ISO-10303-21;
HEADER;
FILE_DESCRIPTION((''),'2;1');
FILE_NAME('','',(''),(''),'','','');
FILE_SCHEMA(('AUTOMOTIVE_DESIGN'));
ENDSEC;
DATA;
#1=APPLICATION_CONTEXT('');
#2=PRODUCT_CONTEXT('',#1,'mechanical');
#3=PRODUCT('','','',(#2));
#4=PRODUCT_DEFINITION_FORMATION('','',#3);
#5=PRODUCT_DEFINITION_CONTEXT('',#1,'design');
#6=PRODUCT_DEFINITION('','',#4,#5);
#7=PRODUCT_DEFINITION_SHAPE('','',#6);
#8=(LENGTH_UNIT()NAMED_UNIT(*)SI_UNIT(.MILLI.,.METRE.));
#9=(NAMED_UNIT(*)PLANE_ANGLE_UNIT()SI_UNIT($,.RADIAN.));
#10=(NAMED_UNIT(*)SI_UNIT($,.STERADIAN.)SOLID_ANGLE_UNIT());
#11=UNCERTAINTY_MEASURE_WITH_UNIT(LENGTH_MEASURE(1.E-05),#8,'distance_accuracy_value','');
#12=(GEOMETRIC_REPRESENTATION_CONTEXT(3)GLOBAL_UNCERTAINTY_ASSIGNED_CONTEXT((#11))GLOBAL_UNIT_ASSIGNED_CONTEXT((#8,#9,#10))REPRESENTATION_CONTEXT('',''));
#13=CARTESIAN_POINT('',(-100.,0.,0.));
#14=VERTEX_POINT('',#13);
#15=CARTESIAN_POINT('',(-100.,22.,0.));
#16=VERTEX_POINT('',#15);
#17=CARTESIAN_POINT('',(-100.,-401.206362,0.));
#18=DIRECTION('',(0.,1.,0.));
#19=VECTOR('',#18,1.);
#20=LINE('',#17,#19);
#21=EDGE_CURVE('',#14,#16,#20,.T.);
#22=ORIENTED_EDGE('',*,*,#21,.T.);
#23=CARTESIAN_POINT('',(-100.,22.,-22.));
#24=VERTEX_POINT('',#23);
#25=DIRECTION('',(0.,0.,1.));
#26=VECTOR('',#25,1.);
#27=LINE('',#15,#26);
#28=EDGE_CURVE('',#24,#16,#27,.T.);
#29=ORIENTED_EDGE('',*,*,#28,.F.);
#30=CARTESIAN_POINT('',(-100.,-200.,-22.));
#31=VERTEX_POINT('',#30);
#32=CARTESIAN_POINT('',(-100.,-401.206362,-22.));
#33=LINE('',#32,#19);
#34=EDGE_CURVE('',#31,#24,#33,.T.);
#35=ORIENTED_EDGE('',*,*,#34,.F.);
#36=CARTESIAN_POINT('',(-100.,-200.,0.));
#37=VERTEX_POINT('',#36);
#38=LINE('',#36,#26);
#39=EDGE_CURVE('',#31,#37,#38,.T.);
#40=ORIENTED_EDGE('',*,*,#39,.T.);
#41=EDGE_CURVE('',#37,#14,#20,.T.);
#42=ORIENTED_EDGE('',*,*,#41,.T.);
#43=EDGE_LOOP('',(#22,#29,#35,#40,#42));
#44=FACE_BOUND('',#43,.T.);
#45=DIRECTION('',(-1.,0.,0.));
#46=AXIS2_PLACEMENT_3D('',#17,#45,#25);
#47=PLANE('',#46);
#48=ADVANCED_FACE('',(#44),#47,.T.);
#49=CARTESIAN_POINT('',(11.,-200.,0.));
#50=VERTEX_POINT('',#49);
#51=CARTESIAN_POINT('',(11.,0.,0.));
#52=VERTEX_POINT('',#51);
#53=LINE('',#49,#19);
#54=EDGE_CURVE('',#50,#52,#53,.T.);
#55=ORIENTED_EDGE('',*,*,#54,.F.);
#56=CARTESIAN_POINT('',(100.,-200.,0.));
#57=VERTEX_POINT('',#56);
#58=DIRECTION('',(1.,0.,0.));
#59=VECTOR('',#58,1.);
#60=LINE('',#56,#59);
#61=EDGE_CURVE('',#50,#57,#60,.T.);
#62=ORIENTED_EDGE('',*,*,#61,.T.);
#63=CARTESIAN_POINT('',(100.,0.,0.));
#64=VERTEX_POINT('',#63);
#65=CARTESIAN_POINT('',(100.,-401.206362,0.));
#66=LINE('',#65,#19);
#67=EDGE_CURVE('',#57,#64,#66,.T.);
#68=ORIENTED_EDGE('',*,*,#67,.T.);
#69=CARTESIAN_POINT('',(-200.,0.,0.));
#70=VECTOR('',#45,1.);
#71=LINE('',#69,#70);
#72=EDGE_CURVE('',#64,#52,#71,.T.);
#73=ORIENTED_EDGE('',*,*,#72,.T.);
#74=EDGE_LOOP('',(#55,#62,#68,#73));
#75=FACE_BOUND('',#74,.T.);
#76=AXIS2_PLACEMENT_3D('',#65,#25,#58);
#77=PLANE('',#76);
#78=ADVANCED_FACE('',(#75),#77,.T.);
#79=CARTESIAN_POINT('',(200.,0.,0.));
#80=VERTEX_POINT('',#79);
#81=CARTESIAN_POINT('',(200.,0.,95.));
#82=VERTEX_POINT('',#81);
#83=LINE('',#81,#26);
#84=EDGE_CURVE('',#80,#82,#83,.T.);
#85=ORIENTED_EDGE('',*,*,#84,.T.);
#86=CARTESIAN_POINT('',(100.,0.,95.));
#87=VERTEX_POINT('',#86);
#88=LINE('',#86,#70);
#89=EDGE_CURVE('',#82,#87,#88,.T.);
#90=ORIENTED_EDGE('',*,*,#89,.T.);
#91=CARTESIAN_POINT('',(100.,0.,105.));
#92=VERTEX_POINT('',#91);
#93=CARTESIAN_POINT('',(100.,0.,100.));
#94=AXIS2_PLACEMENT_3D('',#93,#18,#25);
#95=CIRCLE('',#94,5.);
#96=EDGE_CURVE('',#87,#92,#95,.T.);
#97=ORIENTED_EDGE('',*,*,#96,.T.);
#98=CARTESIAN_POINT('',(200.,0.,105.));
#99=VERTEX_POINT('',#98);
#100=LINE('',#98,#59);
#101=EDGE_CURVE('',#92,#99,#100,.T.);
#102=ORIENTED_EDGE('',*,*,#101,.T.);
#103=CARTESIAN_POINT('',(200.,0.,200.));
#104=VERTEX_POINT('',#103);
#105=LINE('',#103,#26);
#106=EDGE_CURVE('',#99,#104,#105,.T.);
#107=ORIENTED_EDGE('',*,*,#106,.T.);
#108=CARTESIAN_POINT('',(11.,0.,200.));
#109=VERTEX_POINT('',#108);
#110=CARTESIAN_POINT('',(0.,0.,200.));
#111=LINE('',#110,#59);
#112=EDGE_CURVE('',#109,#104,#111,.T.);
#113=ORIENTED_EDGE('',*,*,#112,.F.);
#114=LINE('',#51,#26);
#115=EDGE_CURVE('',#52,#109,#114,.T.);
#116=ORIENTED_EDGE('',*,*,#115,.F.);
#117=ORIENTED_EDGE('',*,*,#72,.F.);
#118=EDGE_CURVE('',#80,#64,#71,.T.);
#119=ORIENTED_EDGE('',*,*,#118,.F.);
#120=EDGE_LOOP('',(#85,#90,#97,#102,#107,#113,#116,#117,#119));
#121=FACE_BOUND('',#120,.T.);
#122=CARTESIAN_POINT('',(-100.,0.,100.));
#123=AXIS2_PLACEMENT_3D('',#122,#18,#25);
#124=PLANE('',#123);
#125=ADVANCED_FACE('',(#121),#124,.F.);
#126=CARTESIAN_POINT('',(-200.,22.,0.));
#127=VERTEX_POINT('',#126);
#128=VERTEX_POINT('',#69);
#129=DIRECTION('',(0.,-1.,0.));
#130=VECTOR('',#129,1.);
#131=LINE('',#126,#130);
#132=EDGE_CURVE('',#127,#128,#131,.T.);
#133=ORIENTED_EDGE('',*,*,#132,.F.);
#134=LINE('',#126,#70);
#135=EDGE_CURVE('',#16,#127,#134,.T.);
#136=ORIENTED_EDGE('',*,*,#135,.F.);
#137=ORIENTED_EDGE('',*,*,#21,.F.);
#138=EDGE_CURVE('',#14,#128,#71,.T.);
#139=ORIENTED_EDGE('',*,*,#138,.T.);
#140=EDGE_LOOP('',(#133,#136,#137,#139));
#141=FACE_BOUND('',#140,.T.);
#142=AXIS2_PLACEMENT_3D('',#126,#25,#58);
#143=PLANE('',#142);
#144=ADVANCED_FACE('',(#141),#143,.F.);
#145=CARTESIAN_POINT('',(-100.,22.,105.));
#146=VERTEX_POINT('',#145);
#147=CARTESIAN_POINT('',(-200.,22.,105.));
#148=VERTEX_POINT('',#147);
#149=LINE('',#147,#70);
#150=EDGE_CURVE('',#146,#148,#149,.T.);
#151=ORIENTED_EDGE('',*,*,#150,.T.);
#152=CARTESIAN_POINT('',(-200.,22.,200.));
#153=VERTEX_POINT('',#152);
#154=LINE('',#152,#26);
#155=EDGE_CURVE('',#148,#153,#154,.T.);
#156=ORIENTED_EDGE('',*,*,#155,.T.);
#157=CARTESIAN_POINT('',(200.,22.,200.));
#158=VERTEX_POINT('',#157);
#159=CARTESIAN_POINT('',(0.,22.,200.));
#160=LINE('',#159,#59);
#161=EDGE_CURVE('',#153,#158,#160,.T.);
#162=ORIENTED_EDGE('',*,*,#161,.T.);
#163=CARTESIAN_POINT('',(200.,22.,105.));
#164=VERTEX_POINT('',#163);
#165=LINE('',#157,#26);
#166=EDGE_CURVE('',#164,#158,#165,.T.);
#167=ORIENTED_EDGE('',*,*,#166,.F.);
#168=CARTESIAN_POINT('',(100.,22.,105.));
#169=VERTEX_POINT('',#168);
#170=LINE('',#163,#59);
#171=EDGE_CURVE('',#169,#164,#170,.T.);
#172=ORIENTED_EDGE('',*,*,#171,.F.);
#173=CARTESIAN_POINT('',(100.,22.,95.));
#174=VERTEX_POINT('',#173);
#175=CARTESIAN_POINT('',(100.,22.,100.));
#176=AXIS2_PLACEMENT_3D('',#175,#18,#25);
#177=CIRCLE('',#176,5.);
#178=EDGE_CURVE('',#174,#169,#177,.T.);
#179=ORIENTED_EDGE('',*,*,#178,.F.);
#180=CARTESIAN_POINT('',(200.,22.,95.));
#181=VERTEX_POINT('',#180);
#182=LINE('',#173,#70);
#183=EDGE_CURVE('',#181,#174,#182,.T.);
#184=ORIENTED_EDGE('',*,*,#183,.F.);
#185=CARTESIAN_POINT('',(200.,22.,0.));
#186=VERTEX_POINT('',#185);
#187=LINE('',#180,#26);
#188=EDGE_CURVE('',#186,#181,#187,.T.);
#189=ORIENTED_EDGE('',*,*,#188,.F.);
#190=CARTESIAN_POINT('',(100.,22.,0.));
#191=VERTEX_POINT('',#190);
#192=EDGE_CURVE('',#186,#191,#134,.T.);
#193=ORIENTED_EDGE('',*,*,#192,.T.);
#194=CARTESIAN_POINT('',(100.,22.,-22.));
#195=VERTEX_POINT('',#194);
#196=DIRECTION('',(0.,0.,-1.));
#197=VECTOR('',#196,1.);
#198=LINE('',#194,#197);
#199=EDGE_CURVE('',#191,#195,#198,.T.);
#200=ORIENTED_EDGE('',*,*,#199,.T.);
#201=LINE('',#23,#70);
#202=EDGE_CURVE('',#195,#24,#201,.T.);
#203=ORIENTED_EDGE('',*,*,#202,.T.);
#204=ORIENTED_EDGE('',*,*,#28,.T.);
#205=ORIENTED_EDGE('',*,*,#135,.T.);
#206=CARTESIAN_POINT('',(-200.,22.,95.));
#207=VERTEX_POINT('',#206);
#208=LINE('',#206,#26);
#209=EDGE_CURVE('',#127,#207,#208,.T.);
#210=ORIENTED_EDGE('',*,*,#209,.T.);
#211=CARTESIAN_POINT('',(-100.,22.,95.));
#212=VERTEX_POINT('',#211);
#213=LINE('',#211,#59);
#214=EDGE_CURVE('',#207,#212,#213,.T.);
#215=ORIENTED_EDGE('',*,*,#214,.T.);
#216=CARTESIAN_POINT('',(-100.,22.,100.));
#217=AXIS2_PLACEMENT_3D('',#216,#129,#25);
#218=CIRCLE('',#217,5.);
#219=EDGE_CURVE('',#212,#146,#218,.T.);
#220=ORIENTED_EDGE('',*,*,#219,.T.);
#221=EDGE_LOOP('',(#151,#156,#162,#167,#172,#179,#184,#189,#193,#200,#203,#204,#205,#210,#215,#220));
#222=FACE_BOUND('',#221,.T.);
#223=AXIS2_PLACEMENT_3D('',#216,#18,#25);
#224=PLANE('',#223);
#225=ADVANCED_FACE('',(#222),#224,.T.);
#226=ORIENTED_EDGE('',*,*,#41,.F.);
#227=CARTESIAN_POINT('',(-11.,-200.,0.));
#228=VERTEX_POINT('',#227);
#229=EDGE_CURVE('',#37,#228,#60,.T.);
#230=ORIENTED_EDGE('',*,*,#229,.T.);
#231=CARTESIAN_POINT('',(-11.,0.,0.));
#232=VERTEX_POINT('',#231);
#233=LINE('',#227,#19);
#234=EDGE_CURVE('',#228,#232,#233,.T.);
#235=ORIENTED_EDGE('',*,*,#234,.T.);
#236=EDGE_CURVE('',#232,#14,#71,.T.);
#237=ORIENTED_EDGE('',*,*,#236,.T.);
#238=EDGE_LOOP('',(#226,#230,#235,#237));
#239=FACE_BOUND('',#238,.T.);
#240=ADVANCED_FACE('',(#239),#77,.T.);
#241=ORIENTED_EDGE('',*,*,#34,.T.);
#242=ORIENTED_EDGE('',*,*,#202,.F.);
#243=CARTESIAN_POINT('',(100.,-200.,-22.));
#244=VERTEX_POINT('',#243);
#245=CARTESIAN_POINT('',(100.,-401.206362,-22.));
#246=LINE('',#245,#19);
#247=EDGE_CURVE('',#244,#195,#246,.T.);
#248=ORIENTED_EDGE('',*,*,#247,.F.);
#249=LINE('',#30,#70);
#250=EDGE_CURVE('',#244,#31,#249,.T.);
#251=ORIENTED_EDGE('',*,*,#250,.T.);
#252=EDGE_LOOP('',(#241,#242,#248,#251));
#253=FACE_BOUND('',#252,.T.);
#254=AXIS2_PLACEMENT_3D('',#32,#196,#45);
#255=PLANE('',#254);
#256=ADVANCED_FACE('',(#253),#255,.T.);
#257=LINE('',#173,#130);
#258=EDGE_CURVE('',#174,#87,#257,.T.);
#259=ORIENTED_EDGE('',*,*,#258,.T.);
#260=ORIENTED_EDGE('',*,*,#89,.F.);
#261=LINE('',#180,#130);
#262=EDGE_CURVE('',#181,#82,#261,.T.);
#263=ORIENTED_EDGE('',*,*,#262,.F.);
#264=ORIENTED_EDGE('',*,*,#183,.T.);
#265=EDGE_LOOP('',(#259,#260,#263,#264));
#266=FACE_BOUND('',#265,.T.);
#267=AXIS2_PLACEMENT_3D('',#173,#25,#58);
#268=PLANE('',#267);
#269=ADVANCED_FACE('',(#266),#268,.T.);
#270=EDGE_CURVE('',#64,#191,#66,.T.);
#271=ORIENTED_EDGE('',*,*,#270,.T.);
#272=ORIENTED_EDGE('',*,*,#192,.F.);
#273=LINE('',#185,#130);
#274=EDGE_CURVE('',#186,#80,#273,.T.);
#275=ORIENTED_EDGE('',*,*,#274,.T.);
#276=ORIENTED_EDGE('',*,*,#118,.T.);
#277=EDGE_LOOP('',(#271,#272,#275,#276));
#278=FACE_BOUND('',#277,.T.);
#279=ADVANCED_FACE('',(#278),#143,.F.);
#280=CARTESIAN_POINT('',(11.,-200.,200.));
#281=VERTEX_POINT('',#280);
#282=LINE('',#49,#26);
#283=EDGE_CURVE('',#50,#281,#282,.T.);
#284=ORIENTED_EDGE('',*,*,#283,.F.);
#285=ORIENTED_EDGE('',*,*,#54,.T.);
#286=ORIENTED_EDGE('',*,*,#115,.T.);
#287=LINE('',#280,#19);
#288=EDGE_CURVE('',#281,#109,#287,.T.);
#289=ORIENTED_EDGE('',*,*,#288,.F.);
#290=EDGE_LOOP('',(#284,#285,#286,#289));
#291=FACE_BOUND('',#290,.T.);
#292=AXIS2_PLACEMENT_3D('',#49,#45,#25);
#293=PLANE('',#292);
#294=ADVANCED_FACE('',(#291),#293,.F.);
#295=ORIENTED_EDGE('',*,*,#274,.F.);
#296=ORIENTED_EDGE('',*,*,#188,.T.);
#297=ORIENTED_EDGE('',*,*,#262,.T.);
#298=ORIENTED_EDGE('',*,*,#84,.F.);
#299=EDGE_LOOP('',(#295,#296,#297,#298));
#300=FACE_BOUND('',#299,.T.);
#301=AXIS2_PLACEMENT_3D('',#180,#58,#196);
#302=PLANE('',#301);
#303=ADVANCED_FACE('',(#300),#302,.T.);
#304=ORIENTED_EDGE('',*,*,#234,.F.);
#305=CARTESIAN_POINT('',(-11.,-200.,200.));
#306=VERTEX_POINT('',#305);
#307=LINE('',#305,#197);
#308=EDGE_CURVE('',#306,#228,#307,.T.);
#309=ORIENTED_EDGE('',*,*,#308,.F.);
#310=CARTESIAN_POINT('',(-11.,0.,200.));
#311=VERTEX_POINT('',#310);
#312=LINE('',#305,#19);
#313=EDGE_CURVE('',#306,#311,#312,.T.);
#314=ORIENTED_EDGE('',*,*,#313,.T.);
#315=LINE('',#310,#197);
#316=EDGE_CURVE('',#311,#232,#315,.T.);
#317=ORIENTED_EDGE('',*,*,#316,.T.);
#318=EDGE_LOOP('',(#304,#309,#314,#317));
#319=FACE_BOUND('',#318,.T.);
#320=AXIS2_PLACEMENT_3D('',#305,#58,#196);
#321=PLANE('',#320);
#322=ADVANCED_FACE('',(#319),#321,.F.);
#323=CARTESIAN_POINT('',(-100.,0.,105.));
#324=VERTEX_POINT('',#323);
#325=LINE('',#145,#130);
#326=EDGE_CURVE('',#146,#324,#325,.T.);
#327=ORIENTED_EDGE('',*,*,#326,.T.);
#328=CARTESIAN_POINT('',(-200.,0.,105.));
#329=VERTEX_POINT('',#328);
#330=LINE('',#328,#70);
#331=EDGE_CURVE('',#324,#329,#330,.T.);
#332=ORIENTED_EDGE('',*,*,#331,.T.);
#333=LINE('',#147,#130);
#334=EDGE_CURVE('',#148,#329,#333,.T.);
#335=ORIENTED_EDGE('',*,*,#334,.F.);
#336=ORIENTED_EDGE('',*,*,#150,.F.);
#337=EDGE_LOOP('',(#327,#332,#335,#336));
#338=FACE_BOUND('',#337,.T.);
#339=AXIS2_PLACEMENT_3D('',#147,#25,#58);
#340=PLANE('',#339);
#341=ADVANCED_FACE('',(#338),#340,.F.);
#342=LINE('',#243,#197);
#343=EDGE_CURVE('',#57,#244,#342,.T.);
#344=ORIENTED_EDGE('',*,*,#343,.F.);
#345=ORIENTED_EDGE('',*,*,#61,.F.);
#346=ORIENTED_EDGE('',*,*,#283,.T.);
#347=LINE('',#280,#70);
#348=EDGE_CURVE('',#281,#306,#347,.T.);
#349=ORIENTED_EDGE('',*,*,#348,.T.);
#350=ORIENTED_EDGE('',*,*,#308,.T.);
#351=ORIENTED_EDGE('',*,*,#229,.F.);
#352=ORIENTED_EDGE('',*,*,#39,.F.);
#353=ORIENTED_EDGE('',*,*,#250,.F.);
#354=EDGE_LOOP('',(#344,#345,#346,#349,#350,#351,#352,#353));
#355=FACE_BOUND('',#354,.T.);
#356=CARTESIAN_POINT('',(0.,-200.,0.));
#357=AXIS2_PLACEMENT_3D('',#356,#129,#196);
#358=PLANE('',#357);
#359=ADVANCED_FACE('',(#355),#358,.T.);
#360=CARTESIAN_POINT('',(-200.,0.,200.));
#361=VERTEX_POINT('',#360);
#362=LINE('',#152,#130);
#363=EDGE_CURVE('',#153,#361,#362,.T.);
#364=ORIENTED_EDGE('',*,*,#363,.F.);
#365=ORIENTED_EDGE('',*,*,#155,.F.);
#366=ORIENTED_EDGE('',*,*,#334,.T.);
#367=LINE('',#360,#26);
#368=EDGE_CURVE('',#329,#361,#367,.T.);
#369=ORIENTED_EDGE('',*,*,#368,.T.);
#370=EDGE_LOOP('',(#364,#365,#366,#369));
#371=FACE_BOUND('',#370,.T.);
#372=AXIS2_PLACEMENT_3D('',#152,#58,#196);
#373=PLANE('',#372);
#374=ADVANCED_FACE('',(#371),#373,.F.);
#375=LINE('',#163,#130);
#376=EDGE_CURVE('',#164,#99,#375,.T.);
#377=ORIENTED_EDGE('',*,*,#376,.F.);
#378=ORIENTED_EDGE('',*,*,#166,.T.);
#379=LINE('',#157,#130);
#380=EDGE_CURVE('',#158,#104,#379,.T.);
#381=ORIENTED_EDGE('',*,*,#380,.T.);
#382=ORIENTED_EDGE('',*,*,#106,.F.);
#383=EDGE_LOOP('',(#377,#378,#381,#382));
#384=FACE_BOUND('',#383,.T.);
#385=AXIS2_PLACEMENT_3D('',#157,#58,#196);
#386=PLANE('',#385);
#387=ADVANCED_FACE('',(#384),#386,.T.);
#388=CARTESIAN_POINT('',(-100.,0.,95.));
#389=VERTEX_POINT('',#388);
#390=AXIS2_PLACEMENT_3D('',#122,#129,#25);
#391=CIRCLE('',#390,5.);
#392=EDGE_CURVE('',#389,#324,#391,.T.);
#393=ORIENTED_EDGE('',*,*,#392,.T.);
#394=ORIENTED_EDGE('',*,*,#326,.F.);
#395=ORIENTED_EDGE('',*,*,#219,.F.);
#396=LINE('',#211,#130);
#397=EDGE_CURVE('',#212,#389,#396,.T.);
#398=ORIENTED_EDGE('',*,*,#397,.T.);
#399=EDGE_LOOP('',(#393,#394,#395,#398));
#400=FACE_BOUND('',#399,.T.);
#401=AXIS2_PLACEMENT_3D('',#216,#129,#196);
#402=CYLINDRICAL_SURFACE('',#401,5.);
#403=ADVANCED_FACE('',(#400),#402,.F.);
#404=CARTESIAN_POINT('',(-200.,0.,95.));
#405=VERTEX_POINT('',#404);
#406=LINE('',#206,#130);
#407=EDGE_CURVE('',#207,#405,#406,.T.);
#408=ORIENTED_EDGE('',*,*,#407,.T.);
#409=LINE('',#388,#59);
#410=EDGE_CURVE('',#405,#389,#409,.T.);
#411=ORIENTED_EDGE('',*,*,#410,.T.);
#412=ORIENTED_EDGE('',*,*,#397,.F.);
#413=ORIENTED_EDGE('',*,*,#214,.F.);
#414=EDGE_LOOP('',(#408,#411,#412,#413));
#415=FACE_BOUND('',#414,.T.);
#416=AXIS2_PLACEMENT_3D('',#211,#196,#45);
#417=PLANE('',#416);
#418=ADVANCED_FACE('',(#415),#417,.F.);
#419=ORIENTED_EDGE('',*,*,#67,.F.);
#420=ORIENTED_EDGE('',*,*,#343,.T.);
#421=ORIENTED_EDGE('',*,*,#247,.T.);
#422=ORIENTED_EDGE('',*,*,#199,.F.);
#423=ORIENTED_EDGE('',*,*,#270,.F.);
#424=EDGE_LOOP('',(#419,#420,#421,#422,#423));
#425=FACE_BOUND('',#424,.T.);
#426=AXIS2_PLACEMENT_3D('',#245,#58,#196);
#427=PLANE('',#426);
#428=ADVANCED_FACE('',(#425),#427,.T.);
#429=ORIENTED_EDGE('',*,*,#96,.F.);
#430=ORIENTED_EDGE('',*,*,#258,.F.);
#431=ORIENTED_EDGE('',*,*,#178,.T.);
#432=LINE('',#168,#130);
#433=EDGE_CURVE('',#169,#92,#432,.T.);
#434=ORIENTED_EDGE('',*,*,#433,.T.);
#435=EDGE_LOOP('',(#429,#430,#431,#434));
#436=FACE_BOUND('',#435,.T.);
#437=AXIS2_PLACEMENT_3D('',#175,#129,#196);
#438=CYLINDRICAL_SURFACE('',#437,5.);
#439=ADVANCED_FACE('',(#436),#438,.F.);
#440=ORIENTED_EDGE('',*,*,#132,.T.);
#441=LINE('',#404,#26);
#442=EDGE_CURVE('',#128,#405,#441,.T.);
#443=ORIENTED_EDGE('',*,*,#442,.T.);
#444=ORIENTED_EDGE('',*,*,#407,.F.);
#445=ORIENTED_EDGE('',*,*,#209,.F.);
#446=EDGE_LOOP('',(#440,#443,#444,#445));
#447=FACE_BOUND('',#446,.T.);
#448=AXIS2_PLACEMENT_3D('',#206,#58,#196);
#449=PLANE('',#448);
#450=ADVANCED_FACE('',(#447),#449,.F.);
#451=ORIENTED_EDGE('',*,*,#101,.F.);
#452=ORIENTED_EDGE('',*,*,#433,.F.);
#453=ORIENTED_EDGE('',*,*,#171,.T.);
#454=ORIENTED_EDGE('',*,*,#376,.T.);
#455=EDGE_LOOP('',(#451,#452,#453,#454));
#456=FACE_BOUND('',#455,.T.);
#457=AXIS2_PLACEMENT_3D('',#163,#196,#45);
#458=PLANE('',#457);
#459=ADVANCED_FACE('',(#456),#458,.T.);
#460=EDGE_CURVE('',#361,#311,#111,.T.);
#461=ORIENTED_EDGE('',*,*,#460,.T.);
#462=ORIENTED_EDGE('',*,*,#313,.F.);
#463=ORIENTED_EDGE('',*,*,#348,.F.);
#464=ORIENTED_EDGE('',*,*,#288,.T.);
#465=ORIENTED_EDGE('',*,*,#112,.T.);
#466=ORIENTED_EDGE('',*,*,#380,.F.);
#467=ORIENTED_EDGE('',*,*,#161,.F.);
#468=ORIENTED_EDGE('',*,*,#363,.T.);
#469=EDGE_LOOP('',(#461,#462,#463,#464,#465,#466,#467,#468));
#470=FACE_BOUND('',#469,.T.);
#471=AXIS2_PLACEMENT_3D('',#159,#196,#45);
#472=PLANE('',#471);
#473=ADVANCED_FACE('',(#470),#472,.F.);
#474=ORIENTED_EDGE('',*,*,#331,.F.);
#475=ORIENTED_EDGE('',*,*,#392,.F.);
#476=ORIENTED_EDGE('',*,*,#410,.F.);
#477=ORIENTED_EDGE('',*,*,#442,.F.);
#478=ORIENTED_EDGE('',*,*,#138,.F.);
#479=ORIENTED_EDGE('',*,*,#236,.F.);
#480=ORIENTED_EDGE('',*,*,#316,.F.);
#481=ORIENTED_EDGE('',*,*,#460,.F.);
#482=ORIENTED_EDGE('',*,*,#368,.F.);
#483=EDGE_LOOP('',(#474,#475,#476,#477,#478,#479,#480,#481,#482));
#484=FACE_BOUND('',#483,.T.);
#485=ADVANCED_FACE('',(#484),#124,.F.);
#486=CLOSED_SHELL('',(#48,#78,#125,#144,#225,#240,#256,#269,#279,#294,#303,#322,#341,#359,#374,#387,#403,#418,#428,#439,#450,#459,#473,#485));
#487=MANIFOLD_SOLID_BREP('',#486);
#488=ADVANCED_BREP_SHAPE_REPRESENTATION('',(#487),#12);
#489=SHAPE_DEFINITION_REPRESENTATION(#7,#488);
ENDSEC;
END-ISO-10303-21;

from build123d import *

# Parameters (mm, degrees)
BOSS_EXTRU_1_DEPTH = 22
ESQUISSE2_W        = 22
ESQUISSE2_H        = 200
BOSS_EXTRU_2_DEPTH = 200
ESQUISSE3_W        = 200
ESQUISSE3_H        = 22
BOSS_EXTRU_3_DEPTH = 222


with BuildPart() as part:
    # Esquisse1 → Boss.-Extru.1 (new body)
    with BuildSketch(Plane(origin=(0, 0, 0), x_dir=(1, 0, 0), z_dir=(0, 1, 0))):
        with BuildLine():
            Line((0, 0), (0, -200))
            Line((0, -200), (-200, -200))
            Line((-200, -200), (-200, -105))
            Line((-200, -105), (-100, -105))
            ThreePointArc((-100, -105), (-95, -100), (-100, -95))
            Line((-100, -95), (-200, -95))
            Line((-200, -95), (-200, 0))
            Line((-200, 0), (0, 0))
        make_face()
    boss_extru_1 = extrude(amount=BOSS_EXTRU_1_DEPTH)

    # Symétrie1: Boss.-Extru.1 across plane
    add(boss_extru_1.mirror(Plane(origin=(0, 22, 0), x_dir=(0, 0, 1), z_dir=(-1, 0, 0))))

    # Esquisse2 → Boss.-Extru.2 (add)
    with BuildSketch(Plane.XZ):
        with Locations((0, 100)):
            Rectangle(ESQUISSE2_W, ESQUISSE2_H)
    extrude(amount=BOSS_EXTRU_2_DEPTH)

    # Esquisse3 → Boss.-Extru.3 (add)
    with BuildSketch(Plane(origin=(0, 22, 0), x_dir=(1, 0, 0), z_dir=(0, 1, 0))):
        with Locations((0, 11)):
            Rectangle(ESQUISSE3_W, ESQUISSE3_H)
    extrude(amount=-BOSS_EXTRU_3_DEPTH)


solid = part.part
